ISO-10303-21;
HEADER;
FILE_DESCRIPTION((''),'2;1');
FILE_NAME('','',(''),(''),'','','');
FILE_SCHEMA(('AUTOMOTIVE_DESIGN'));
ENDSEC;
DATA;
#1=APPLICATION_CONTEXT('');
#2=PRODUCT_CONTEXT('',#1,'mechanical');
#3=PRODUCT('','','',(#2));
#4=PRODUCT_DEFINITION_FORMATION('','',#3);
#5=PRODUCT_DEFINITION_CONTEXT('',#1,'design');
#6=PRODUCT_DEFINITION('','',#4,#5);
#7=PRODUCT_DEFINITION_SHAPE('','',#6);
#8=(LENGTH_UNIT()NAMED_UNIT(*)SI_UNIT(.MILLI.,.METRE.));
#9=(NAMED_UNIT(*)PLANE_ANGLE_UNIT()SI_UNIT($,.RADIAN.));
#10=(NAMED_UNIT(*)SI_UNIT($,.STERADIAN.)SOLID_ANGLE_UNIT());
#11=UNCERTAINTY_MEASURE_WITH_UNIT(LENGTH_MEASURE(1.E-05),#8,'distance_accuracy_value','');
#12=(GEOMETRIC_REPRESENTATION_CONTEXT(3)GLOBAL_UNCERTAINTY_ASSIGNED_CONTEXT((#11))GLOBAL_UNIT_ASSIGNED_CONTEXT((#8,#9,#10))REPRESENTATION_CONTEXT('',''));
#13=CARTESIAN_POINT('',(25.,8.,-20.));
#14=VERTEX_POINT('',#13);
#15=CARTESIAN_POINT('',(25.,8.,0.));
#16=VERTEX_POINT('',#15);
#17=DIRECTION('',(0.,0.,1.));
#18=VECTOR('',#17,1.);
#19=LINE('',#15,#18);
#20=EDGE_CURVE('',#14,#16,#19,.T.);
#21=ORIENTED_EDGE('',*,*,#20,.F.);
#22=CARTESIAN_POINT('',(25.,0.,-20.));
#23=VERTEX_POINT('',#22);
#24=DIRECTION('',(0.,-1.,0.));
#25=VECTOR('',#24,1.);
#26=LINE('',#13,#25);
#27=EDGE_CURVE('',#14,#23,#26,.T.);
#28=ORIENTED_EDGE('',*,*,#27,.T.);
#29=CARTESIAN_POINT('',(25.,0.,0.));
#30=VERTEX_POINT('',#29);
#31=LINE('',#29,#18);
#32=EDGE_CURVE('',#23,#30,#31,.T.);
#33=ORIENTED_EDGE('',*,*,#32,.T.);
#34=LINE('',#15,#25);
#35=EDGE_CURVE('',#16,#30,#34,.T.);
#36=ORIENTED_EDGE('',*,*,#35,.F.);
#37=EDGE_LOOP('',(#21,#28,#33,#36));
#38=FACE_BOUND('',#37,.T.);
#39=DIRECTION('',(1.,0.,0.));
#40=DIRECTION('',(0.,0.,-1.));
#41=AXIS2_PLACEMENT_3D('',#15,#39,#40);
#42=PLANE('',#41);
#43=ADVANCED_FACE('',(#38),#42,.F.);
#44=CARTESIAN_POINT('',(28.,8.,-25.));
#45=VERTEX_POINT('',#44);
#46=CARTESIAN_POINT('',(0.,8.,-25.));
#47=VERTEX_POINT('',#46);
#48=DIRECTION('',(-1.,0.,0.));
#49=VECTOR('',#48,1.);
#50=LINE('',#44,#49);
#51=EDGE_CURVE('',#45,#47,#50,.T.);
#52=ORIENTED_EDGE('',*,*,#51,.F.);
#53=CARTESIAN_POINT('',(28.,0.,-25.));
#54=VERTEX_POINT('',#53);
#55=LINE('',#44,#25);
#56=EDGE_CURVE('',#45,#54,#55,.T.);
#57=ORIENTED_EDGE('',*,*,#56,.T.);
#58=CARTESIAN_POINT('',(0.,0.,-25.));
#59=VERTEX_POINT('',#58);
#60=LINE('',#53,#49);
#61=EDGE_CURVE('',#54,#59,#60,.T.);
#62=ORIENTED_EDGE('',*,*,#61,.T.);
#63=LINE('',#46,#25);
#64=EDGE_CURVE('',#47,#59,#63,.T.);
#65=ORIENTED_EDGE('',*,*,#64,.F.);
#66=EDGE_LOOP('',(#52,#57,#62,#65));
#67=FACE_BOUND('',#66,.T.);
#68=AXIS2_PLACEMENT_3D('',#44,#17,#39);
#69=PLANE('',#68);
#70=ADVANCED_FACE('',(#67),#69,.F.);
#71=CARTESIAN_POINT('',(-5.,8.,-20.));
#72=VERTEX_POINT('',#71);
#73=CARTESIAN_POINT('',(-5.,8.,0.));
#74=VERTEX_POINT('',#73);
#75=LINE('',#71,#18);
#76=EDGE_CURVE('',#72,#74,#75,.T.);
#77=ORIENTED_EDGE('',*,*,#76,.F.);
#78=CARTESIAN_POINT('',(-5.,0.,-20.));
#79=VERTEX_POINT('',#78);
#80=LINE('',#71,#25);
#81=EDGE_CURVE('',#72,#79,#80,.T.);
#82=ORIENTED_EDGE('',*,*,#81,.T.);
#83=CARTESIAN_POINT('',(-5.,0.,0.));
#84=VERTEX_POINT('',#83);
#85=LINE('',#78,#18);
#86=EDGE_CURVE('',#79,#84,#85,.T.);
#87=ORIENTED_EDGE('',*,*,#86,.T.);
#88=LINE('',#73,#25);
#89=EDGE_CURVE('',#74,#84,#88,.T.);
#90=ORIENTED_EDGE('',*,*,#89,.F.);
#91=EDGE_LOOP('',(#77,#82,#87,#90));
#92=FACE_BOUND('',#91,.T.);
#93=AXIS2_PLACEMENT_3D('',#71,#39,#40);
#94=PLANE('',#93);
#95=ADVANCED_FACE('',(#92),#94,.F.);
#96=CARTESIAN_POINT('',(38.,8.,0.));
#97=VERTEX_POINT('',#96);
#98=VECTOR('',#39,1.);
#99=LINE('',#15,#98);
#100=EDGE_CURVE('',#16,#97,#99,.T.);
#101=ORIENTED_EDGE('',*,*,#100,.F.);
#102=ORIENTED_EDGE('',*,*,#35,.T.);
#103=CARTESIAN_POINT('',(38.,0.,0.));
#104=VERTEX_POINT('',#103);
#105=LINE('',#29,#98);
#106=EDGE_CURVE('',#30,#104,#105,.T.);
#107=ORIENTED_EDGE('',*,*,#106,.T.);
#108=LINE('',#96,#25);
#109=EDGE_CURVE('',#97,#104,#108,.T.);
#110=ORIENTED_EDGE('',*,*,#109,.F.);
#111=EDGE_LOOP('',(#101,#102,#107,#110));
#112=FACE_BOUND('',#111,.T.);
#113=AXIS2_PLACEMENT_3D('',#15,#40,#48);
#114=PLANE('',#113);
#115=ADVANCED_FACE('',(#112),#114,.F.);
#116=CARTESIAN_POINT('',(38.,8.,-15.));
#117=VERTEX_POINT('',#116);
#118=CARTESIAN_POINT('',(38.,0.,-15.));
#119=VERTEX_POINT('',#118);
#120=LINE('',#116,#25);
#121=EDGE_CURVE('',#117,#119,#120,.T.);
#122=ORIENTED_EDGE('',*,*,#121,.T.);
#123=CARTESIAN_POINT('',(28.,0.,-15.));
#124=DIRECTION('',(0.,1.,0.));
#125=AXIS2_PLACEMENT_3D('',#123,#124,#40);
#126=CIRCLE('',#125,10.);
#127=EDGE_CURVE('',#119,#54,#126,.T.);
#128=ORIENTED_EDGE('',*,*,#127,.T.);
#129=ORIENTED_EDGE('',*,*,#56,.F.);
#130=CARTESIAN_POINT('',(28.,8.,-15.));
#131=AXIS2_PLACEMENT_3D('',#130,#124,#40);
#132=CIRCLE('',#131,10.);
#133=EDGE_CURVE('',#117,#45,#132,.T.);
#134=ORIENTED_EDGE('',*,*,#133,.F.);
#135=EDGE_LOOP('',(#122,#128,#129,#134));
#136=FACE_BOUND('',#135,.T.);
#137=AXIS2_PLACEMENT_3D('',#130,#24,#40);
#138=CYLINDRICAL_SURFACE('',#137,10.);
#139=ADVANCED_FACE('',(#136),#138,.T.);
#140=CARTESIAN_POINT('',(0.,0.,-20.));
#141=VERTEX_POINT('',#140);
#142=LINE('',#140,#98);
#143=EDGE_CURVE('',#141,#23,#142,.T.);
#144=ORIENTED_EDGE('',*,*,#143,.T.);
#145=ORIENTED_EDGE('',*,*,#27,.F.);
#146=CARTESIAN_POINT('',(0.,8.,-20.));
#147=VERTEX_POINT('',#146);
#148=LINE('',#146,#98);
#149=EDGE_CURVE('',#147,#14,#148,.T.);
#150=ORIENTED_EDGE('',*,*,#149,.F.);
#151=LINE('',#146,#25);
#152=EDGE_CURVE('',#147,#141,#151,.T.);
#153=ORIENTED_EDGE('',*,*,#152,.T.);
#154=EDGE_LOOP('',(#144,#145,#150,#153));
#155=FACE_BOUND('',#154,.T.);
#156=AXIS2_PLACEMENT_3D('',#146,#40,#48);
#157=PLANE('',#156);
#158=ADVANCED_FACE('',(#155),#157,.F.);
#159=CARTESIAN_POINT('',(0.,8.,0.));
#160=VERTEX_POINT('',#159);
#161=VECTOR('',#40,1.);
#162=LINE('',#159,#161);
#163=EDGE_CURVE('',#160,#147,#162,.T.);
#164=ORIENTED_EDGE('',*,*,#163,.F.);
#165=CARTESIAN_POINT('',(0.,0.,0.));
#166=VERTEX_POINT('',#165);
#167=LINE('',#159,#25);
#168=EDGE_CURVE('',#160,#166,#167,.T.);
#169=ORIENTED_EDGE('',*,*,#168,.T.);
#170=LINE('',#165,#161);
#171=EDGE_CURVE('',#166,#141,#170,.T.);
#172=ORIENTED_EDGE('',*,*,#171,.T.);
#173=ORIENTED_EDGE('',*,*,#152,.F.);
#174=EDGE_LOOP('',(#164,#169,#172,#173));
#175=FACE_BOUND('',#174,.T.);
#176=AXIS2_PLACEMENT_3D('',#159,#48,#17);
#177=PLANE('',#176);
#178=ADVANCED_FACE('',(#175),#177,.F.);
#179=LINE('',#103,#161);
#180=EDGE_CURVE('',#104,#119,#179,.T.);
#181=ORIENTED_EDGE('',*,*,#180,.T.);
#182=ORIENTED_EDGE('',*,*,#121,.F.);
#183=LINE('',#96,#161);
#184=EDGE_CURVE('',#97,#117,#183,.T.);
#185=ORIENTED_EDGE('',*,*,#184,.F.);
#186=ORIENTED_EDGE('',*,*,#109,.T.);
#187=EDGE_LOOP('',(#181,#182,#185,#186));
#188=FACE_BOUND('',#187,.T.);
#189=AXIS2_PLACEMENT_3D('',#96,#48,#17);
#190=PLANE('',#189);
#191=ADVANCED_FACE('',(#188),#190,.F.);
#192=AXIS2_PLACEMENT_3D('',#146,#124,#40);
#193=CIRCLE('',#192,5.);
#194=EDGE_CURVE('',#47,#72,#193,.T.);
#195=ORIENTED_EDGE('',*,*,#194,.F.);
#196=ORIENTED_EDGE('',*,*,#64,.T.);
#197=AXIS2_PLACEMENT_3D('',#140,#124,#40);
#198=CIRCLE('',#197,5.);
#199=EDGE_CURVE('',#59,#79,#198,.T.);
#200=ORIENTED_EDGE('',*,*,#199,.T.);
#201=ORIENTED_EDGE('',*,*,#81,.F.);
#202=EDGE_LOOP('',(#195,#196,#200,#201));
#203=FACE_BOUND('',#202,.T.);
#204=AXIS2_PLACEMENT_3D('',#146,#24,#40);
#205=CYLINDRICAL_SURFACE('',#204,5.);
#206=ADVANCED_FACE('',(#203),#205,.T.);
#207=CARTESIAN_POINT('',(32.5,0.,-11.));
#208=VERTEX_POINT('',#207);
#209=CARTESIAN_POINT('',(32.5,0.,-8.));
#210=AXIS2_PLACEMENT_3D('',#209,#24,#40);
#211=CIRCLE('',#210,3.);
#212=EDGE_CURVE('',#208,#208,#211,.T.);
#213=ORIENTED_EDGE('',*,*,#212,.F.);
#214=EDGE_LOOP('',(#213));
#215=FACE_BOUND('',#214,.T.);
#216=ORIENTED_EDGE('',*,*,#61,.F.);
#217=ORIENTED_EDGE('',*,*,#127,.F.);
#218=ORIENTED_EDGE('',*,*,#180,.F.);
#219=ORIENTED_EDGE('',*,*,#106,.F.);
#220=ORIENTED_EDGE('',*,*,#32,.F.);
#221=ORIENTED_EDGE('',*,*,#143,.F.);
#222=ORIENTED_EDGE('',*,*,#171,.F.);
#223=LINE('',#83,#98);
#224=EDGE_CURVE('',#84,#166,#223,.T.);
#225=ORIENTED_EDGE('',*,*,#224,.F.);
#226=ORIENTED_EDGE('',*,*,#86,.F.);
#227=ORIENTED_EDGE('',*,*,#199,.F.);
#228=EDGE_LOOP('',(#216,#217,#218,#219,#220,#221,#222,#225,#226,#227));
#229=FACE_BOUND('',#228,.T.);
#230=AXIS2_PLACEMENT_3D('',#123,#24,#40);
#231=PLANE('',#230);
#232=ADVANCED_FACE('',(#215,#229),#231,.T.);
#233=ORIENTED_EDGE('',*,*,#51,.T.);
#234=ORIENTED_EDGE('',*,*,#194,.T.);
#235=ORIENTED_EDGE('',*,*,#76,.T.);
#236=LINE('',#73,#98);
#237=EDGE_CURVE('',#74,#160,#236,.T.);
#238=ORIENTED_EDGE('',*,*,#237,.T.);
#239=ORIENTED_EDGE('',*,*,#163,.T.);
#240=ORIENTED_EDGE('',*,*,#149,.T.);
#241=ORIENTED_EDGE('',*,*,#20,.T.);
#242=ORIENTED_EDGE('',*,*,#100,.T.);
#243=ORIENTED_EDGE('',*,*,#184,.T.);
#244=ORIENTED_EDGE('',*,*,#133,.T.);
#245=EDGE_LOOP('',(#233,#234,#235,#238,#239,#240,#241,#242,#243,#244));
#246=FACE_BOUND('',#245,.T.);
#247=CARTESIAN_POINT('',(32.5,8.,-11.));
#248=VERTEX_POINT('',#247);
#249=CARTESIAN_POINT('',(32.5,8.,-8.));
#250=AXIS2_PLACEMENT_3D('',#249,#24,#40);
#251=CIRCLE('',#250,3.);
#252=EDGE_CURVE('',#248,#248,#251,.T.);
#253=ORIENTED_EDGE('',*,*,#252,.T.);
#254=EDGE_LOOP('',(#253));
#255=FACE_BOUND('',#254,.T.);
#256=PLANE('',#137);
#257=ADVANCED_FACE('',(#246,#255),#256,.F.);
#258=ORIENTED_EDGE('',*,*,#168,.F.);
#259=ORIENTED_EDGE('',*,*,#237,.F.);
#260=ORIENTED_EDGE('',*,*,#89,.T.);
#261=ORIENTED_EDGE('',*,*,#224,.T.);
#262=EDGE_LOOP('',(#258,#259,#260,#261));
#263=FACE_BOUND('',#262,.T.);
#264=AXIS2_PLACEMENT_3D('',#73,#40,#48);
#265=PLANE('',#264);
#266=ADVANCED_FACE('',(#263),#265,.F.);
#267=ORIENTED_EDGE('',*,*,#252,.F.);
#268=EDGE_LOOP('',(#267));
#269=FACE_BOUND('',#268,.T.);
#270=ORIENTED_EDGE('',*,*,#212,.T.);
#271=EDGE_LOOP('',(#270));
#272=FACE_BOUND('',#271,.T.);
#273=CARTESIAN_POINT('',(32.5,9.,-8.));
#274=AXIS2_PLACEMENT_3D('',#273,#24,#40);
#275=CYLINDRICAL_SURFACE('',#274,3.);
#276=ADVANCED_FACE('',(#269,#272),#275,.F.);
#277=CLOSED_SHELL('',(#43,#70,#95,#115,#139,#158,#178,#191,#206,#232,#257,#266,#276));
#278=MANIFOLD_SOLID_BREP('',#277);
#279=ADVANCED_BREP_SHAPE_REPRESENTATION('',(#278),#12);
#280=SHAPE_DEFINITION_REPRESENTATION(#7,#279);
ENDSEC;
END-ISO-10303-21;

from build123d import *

# Parameters (mm, degrees)
CROQUIS1_R              = 2
SALIENTE_EXTRUIR1_DEPTH = 8
CROQUIS2_R              = 3
CORTAR_EXTRUIR1_DEPTH   = 9


with BuildPart() as part:
    # Croquis1 → Saliente-Extruir1 (new body)
    with BuildSketch(Plane(origin=(0, 0, 0), x_dir=(1, 0, 0), z_dir=(0, 1, 0))):
        with BuildLine():
            Line((25, 0), (38, 0))
            Line((38, 0), (38, 15))
            ThreePointArc((38, 15), (35.071067812, 22.071067812), (28, 25))
            Line((28, 25), (0, 25))
            ThreePointArc((0, 25), (-3.535533906, 23.535533906), (-5, 20))
            Line((-5, 20), (-5, 0))
            Line((-5, 0), (0, 0))
            Line((0, 0), (0, 20))
            Line((0, 20), (25, 20))
            Line((25, 20), (25, 0))
        make_face()
        with Locations(Location((32.5, 8, 0), (0, 0, 270))):
            Circle(CROQUIS1_R, mode=Mode.SUBTRACT)
    extrude(amount=SALIENTE_EXTRUIR1_DEPTH)

    # Croquis2 → Cortar-Extruir1 (cut)
    with BuildSketch(Plane.XZ):
        with Locations(Location((32.5, -8, 0), (0, 0, 270))):
            Circle(CROQUIS2_R)
    extrude(amount=-CORTAR_EXTRUIR1_DEPTH, mode=Mode.SUBTRACT)


solid = part.part
